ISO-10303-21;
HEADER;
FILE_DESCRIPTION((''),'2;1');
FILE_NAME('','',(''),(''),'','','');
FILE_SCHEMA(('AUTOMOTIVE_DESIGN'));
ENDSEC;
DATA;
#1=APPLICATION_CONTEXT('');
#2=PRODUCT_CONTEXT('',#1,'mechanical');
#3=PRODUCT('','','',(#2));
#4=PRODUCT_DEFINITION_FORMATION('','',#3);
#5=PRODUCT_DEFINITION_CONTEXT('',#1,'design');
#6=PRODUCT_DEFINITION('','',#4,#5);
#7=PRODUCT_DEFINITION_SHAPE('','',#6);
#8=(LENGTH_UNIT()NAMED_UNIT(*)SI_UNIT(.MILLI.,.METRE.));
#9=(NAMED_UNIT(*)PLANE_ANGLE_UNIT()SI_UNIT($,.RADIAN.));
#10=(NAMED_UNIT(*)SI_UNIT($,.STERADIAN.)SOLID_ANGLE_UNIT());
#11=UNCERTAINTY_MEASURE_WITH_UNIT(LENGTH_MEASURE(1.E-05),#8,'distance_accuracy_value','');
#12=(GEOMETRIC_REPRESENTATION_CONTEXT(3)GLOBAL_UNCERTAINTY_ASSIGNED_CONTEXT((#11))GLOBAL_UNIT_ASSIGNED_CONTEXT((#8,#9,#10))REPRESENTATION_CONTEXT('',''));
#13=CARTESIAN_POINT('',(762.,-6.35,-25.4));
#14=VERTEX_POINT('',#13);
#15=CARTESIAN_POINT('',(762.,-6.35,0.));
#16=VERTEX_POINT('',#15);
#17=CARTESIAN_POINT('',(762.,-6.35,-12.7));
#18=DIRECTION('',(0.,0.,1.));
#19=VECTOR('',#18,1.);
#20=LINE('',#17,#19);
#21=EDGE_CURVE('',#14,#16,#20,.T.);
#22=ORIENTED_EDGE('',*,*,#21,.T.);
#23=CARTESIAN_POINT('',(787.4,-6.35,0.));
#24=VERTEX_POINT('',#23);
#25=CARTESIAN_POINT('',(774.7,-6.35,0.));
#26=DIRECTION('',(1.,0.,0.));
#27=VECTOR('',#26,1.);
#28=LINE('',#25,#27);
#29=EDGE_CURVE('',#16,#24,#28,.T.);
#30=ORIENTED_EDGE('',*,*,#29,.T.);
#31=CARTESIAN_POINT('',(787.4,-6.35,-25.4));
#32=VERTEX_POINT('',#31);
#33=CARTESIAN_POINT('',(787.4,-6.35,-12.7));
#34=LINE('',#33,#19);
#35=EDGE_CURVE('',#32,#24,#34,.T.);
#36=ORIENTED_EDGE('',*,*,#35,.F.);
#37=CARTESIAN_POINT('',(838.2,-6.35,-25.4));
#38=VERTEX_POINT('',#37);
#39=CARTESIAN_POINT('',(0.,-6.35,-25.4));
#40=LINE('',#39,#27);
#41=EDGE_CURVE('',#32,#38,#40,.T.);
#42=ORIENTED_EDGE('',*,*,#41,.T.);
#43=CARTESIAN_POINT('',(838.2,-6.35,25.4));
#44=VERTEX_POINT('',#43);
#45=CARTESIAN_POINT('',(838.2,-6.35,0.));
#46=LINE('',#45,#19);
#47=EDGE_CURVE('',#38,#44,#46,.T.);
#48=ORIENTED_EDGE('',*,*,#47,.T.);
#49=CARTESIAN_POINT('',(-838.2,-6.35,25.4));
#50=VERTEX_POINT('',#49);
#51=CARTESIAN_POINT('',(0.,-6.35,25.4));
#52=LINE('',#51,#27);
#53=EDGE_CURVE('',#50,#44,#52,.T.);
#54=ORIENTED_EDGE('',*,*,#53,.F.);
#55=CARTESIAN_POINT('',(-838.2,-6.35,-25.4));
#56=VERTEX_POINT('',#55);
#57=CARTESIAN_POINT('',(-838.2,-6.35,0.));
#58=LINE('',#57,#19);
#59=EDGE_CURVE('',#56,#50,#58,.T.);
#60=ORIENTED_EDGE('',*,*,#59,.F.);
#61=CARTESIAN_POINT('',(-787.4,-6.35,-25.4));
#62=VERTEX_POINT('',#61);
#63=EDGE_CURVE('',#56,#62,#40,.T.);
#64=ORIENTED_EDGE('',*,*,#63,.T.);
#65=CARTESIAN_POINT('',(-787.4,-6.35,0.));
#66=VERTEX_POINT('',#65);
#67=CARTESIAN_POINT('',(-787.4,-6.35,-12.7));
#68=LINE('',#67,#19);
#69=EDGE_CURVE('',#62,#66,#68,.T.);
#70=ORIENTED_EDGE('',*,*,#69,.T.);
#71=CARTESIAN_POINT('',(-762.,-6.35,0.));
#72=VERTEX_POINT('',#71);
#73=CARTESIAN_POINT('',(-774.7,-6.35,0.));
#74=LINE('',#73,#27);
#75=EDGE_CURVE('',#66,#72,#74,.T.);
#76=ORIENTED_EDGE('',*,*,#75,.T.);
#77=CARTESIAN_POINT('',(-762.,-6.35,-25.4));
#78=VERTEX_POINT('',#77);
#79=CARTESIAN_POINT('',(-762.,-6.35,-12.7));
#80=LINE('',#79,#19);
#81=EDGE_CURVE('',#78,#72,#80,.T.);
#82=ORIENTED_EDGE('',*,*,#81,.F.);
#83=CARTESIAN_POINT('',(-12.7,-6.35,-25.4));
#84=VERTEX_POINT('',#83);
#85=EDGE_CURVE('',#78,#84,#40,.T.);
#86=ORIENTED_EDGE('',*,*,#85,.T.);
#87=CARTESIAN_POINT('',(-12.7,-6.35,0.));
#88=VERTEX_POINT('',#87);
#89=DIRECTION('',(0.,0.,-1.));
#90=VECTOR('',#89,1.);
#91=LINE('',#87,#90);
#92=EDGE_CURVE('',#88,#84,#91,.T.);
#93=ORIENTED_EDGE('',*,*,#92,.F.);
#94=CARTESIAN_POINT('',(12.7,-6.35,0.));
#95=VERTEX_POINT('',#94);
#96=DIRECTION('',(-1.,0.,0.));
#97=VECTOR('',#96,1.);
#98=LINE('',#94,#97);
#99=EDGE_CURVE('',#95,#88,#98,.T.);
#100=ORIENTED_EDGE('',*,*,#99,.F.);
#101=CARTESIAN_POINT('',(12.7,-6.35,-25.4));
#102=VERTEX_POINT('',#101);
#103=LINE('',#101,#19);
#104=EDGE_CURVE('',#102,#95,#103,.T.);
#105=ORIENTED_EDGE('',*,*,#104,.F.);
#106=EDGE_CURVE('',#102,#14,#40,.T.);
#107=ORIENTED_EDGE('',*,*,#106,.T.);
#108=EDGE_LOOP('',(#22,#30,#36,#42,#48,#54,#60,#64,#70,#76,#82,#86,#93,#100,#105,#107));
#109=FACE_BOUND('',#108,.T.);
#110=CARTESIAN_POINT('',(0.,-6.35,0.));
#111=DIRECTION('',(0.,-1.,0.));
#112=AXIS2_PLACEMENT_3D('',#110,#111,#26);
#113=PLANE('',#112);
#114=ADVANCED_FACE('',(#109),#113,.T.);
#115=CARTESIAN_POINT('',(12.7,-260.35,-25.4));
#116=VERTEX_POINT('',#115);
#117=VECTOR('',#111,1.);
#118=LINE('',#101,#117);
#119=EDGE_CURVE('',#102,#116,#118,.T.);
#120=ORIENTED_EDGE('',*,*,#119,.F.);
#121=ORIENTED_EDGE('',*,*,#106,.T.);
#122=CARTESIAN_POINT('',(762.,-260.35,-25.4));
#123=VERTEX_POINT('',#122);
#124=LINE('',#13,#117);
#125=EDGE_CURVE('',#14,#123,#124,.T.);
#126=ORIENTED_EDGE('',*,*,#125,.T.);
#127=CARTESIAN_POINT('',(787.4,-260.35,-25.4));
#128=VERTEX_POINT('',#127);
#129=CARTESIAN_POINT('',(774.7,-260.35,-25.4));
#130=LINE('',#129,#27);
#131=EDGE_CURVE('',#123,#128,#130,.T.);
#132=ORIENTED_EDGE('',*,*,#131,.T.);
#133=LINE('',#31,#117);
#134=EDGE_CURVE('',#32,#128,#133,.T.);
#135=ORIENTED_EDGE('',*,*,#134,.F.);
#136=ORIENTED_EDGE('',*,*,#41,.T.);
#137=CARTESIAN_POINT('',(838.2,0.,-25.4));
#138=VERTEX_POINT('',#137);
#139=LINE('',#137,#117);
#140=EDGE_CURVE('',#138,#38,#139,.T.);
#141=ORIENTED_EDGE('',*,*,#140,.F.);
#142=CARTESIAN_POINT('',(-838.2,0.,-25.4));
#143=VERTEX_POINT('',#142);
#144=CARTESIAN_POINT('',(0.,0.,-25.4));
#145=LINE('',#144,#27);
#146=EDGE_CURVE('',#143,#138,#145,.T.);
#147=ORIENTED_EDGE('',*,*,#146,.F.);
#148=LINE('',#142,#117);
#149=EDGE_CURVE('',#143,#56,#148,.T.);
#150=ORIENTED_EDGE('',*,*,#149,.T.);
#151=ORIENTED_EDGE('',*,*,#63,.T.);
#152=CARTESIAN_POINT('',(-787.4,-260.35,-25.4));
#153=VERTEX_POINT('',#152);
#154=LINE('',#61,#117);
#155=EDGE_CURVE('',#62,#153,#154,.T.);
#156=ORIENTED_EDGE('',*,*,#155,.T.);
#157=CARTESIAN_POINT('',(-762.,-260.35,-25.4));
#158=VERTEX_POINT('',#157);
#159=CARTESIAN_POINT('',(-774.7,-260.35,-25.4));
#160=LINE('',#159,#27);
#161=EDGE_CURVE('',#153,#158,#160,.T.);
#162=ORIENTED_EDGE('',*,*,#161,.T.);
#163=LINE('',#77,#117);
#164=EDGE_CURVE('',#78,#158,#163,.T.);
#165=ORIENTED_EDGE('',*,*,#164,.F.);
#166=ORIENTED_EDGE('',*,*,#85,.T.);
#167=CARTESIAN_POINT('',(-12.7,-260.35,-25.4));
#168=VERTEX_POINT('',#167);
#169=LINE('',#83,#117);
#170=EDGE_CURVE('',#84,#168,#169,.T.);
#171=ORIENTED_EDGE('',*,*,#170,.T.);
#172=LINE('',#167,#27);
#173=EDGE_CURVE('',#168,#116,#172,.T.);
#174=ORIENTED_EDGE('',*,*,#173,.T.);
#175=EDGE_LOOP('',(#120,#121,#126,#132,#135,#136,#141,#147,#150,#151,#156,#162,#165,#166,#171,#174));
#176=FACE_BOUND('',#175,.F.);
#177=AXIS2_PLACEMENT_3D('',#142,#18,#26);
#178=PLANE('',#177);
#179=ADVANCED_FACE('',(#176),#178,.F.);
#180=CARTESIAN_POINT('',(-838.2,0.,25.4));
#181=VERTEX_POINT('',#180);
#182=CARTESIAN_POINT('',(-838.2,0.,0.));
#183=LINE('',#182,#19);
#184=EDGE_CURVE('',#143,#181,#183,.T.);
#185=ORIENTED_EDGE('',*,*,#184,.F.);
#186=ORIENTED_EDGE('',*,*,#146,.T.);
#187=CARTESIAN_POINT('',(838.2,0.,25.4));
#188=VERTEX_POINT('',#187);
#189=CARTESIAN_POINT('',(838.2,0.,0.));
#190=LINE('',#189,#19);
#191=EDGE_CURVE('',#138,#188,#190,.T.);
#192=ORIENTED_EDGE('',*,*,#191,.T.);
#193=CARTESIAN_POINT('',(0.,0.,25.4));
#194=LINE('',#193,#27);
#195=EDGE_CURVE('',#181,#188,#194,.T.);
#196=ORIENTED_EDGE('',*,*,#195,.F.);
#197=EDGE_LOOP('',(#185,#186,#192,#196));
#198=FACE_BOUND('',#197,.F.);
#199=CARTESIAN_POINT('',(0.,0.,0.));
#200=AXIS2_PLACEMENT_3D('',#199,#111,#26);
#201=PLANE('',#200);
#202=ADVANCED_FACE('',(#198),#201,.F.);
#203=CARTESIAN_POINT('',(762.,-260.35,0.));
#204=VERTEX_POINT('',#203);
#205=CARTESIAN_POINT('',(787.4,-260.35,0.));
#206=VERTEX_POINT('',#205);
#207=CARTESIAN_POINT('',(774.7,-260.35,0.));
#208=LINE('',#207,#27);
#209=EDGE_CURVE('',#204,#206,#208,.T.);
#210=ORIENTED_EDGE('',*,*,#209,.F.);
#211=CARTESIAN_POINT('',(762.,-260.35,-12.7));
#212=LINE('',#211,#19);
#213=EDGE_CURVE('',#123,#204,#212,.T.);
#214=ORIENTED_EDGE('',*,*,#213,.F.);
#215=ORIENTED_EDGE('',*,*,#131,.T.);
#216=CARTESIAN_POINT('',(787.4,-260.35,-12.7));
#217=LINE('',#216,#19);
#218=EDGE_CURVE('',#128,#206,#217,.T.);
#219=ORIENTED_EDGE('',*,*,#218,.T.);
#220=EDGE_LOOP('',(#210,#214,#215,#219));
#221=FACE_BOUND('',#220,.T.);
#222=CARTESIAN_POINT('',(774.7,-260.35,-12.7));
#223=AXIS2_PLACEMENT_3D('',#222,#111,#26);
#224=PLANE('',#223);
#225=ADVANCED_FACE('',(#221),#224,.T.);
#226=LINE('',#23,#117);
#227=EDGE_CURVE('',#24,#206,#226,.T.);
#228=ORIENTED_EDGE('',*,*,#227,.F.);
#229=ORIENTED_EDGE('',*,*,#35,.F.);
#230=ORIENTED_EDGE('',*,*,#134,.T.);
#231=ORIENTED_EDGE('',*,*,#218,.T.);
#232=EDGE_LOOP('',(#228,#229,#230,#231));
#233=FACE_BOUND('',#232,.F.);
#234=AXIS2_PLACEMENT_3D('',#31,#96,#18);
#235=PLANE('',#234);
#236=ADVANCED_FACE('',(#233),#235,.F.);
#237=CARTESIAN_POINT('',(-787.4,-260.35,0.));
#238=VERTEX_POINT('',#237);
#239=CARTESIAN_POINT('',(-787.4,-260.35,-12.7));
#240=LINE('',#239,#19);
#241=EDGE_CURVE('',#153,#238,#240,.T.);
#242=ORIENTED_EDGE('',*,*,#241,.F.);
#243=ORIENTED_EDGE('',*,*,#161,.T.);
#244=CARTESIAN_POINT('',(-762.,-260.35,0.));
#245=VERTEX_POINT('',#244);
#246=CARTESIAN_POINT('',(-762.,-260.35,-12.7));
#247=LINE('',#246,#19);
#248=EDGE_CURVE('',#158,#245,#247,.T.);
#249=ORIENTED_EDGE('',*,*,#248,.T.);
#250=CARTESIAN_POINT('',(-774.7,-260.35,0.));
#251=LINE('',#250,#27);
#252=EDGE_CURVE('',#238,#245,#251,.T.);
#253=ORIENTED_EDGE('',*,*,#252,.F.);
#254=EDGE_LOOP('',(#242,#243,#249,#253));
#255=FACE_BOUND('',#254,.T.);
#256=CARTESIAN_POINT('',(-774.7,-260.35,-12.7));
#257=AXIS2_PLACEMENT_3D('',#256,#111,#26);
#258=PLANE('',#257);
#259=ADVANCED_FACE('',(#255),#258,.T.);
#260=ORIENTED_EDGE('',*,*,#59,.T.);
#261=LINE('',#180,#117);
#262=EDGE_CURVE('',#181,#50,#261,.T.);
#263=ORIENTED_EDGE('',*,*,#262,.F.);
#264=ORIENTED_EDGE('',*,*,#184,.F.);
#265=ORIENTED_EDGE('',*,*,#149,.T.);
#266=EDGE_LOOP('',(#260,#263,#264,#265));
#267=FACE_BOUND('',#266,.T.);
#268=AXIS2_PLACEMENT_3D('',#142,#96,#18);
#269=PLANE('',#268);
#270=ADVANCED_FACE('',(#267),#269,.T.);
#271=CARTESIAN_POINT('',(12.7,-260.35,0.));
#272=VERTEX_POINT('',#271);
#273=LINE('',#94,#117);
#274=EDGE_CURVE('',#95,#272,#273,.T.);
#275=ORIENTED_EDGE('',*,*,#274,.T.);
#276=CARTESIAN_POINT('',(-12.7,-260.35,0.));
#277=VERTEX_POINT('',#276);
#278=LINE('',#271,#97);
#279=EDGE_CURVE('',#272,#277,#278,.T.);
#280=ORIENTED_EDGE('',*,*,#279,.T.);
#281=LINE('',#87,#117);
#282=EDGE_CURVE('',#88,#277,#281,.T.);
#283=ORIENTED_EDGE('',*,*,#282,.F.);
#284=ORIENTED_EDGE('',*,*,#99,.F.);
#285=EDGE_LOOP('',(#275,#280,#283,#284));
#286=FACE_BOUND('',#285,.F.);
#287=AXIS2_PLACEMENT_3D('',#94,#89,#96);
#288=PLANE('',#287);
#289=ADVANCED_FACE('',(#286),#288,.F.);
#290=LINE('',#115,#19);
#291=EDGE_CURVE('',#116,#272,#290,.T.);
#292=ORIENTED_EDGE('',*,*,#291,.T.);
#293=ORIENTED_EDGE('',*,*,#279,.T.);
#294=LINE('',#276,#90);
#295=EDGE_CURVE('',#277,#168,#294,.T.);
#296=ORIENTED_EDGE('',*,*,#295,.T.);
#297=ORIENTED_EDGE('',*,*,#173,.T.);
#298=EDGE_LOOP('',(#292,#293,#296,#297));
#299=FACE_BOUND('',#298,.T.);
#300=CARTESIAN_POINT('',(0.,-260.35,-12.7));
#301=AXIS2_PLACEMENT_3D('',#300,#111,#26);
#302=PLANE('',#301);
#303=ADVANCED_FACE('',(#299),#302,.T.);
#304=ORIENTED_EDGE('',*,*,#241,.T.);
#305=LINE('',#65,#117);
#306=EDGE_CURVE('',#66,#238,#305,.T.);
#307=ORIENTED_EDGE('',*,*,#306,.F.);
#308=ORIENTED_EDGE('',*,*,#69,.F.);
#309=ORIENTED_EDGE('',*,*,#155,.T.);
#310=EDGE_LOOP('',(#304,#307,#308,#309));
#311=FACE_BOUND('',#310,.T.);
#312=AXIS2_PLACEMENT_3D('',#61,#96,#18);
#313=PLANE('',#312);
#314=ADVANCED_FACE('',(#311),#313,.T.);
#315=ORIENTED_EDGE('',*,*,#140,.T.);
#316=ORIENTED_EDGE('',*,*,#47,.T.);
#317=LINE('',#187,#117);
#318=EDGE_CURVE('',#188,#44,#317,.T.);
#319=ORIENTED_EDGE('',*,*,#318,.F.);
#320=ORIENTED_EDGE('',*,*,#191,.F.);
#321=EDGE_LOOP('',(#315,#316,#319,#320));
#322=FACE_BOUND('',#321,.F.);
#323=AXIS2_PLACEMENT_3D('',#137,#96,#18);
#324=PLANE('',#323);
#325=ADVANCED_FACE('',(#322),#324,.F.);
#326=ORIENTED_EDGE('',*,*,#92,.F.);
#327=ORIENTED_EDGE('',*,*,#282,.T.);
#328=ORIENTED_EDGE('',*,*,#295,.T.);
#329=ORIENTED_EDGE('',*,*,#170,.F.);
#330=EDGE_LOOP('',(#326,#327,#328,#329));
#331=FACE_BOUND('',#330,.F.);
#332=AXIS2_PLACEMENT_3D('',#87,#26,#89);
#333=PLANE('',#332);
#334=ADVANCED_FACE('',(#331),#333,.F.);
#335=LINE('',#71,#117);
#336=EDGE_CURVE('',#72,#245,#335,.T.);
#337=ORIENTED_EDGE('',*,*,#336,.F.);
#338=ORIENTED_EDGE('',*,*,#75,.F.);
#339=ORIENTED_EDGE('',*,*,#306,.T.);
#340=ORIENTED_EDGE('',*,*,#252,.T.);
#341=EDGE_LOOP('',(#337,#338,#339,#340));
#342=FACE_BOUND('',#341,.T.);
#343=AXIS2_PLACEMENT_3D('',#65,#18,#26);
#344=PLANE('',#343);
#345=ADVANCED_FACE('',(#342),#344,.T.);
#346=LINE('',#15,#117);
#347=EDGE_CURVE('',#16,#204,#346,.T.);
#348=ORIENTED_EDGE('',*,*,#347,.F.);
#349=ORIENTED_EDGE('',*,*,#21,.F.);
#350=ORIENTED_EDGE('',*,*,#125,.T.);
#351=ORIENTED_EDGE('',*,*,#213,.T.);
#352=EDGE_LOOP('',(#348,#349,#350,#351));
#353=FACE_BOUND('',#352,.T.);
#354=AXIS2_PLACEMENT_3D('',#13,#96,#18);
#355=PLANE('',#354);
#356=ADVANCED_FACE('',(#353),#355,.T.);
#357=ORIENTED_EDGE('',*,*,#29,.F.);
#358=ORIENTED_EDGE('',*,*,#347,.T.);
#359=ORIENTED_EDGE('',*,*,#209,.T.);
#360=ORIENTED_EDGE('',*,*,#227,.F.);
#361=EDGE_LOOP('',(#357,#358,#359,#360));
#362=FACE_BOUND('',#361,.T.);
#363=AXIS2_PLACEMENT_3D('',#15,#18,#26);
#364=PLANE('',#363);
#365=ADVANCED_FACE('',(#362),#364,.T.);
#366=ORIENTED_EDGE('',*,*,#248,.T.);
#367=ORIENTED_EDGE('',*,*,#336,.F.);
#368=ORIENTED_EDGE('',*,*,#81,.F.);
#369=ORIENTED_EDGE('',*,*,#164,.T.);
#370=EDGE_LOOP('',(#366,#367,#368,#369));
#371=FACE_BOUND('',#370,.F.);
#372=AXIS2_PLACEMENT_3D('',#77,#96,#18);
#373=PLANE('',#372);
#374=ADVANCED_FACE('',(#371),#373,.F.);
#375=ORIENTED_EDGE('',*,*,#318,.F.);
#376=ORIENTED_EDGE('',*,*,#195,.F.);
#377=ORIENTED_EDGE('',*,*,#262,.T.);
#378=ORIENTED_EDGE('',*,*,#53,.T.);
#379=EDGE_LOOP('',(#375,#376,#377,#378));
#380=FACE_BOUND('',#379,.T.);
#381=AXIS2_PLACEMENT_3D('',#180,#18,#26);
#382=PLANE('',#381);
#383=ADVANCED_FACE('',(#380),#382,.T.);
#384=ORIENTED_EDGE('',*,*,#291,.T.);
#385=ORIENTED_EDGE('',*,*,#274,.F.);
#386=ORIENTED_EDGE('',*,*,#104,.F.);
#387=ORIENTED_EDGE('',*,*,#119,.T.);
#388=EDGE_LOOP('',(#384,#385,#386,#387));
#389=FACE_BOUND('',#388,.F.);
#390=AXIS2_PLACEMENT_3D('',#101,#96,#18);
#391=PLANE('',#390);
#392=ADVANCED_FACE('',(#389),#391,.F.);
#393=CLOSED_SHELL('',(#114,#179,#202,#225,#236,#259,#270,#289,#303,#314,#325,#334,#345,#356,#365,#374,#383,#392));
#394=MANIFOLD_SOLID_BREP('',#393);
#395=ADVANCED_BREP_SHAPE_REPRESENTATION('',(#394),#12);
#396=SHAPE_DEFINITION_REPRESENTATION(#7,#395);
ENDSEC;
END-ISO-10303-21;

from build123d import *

# Parameters (mm, degrees)
F0_W     = 1676.4
F0_H     = 50.8
F1_DEPTH = 6.35
F2_W     = 25.4
F2_H     = 25.4
F3_DEPTH = 254


with BuildPart() as f1:
    # F0 (on Front) → F1 (new body)
    with BuildSketch(Plane.XZ):
        Rectangle(F0_W, F0_H)
    extrude(amount=F1_DEPTH)

    # F2 (on face) → F3 (join)
    with BuildSketch(Plane.XZ.offset(6.35)):
        with Locations((-774.7, -12.7)):
            Rectangle(F2_W, F2_H)
        with Locations((774.7, -12.7)):
            Rectangle(F2_W, F2_H)
        Polygon((-12.7, 0), (-12.7, -25.4), (0, -25.4), (12.7, -25.4), (12.7, 0), (0, 0), align=None)
    extrude(amount=F3_DEPTH)


solid = f1.part
